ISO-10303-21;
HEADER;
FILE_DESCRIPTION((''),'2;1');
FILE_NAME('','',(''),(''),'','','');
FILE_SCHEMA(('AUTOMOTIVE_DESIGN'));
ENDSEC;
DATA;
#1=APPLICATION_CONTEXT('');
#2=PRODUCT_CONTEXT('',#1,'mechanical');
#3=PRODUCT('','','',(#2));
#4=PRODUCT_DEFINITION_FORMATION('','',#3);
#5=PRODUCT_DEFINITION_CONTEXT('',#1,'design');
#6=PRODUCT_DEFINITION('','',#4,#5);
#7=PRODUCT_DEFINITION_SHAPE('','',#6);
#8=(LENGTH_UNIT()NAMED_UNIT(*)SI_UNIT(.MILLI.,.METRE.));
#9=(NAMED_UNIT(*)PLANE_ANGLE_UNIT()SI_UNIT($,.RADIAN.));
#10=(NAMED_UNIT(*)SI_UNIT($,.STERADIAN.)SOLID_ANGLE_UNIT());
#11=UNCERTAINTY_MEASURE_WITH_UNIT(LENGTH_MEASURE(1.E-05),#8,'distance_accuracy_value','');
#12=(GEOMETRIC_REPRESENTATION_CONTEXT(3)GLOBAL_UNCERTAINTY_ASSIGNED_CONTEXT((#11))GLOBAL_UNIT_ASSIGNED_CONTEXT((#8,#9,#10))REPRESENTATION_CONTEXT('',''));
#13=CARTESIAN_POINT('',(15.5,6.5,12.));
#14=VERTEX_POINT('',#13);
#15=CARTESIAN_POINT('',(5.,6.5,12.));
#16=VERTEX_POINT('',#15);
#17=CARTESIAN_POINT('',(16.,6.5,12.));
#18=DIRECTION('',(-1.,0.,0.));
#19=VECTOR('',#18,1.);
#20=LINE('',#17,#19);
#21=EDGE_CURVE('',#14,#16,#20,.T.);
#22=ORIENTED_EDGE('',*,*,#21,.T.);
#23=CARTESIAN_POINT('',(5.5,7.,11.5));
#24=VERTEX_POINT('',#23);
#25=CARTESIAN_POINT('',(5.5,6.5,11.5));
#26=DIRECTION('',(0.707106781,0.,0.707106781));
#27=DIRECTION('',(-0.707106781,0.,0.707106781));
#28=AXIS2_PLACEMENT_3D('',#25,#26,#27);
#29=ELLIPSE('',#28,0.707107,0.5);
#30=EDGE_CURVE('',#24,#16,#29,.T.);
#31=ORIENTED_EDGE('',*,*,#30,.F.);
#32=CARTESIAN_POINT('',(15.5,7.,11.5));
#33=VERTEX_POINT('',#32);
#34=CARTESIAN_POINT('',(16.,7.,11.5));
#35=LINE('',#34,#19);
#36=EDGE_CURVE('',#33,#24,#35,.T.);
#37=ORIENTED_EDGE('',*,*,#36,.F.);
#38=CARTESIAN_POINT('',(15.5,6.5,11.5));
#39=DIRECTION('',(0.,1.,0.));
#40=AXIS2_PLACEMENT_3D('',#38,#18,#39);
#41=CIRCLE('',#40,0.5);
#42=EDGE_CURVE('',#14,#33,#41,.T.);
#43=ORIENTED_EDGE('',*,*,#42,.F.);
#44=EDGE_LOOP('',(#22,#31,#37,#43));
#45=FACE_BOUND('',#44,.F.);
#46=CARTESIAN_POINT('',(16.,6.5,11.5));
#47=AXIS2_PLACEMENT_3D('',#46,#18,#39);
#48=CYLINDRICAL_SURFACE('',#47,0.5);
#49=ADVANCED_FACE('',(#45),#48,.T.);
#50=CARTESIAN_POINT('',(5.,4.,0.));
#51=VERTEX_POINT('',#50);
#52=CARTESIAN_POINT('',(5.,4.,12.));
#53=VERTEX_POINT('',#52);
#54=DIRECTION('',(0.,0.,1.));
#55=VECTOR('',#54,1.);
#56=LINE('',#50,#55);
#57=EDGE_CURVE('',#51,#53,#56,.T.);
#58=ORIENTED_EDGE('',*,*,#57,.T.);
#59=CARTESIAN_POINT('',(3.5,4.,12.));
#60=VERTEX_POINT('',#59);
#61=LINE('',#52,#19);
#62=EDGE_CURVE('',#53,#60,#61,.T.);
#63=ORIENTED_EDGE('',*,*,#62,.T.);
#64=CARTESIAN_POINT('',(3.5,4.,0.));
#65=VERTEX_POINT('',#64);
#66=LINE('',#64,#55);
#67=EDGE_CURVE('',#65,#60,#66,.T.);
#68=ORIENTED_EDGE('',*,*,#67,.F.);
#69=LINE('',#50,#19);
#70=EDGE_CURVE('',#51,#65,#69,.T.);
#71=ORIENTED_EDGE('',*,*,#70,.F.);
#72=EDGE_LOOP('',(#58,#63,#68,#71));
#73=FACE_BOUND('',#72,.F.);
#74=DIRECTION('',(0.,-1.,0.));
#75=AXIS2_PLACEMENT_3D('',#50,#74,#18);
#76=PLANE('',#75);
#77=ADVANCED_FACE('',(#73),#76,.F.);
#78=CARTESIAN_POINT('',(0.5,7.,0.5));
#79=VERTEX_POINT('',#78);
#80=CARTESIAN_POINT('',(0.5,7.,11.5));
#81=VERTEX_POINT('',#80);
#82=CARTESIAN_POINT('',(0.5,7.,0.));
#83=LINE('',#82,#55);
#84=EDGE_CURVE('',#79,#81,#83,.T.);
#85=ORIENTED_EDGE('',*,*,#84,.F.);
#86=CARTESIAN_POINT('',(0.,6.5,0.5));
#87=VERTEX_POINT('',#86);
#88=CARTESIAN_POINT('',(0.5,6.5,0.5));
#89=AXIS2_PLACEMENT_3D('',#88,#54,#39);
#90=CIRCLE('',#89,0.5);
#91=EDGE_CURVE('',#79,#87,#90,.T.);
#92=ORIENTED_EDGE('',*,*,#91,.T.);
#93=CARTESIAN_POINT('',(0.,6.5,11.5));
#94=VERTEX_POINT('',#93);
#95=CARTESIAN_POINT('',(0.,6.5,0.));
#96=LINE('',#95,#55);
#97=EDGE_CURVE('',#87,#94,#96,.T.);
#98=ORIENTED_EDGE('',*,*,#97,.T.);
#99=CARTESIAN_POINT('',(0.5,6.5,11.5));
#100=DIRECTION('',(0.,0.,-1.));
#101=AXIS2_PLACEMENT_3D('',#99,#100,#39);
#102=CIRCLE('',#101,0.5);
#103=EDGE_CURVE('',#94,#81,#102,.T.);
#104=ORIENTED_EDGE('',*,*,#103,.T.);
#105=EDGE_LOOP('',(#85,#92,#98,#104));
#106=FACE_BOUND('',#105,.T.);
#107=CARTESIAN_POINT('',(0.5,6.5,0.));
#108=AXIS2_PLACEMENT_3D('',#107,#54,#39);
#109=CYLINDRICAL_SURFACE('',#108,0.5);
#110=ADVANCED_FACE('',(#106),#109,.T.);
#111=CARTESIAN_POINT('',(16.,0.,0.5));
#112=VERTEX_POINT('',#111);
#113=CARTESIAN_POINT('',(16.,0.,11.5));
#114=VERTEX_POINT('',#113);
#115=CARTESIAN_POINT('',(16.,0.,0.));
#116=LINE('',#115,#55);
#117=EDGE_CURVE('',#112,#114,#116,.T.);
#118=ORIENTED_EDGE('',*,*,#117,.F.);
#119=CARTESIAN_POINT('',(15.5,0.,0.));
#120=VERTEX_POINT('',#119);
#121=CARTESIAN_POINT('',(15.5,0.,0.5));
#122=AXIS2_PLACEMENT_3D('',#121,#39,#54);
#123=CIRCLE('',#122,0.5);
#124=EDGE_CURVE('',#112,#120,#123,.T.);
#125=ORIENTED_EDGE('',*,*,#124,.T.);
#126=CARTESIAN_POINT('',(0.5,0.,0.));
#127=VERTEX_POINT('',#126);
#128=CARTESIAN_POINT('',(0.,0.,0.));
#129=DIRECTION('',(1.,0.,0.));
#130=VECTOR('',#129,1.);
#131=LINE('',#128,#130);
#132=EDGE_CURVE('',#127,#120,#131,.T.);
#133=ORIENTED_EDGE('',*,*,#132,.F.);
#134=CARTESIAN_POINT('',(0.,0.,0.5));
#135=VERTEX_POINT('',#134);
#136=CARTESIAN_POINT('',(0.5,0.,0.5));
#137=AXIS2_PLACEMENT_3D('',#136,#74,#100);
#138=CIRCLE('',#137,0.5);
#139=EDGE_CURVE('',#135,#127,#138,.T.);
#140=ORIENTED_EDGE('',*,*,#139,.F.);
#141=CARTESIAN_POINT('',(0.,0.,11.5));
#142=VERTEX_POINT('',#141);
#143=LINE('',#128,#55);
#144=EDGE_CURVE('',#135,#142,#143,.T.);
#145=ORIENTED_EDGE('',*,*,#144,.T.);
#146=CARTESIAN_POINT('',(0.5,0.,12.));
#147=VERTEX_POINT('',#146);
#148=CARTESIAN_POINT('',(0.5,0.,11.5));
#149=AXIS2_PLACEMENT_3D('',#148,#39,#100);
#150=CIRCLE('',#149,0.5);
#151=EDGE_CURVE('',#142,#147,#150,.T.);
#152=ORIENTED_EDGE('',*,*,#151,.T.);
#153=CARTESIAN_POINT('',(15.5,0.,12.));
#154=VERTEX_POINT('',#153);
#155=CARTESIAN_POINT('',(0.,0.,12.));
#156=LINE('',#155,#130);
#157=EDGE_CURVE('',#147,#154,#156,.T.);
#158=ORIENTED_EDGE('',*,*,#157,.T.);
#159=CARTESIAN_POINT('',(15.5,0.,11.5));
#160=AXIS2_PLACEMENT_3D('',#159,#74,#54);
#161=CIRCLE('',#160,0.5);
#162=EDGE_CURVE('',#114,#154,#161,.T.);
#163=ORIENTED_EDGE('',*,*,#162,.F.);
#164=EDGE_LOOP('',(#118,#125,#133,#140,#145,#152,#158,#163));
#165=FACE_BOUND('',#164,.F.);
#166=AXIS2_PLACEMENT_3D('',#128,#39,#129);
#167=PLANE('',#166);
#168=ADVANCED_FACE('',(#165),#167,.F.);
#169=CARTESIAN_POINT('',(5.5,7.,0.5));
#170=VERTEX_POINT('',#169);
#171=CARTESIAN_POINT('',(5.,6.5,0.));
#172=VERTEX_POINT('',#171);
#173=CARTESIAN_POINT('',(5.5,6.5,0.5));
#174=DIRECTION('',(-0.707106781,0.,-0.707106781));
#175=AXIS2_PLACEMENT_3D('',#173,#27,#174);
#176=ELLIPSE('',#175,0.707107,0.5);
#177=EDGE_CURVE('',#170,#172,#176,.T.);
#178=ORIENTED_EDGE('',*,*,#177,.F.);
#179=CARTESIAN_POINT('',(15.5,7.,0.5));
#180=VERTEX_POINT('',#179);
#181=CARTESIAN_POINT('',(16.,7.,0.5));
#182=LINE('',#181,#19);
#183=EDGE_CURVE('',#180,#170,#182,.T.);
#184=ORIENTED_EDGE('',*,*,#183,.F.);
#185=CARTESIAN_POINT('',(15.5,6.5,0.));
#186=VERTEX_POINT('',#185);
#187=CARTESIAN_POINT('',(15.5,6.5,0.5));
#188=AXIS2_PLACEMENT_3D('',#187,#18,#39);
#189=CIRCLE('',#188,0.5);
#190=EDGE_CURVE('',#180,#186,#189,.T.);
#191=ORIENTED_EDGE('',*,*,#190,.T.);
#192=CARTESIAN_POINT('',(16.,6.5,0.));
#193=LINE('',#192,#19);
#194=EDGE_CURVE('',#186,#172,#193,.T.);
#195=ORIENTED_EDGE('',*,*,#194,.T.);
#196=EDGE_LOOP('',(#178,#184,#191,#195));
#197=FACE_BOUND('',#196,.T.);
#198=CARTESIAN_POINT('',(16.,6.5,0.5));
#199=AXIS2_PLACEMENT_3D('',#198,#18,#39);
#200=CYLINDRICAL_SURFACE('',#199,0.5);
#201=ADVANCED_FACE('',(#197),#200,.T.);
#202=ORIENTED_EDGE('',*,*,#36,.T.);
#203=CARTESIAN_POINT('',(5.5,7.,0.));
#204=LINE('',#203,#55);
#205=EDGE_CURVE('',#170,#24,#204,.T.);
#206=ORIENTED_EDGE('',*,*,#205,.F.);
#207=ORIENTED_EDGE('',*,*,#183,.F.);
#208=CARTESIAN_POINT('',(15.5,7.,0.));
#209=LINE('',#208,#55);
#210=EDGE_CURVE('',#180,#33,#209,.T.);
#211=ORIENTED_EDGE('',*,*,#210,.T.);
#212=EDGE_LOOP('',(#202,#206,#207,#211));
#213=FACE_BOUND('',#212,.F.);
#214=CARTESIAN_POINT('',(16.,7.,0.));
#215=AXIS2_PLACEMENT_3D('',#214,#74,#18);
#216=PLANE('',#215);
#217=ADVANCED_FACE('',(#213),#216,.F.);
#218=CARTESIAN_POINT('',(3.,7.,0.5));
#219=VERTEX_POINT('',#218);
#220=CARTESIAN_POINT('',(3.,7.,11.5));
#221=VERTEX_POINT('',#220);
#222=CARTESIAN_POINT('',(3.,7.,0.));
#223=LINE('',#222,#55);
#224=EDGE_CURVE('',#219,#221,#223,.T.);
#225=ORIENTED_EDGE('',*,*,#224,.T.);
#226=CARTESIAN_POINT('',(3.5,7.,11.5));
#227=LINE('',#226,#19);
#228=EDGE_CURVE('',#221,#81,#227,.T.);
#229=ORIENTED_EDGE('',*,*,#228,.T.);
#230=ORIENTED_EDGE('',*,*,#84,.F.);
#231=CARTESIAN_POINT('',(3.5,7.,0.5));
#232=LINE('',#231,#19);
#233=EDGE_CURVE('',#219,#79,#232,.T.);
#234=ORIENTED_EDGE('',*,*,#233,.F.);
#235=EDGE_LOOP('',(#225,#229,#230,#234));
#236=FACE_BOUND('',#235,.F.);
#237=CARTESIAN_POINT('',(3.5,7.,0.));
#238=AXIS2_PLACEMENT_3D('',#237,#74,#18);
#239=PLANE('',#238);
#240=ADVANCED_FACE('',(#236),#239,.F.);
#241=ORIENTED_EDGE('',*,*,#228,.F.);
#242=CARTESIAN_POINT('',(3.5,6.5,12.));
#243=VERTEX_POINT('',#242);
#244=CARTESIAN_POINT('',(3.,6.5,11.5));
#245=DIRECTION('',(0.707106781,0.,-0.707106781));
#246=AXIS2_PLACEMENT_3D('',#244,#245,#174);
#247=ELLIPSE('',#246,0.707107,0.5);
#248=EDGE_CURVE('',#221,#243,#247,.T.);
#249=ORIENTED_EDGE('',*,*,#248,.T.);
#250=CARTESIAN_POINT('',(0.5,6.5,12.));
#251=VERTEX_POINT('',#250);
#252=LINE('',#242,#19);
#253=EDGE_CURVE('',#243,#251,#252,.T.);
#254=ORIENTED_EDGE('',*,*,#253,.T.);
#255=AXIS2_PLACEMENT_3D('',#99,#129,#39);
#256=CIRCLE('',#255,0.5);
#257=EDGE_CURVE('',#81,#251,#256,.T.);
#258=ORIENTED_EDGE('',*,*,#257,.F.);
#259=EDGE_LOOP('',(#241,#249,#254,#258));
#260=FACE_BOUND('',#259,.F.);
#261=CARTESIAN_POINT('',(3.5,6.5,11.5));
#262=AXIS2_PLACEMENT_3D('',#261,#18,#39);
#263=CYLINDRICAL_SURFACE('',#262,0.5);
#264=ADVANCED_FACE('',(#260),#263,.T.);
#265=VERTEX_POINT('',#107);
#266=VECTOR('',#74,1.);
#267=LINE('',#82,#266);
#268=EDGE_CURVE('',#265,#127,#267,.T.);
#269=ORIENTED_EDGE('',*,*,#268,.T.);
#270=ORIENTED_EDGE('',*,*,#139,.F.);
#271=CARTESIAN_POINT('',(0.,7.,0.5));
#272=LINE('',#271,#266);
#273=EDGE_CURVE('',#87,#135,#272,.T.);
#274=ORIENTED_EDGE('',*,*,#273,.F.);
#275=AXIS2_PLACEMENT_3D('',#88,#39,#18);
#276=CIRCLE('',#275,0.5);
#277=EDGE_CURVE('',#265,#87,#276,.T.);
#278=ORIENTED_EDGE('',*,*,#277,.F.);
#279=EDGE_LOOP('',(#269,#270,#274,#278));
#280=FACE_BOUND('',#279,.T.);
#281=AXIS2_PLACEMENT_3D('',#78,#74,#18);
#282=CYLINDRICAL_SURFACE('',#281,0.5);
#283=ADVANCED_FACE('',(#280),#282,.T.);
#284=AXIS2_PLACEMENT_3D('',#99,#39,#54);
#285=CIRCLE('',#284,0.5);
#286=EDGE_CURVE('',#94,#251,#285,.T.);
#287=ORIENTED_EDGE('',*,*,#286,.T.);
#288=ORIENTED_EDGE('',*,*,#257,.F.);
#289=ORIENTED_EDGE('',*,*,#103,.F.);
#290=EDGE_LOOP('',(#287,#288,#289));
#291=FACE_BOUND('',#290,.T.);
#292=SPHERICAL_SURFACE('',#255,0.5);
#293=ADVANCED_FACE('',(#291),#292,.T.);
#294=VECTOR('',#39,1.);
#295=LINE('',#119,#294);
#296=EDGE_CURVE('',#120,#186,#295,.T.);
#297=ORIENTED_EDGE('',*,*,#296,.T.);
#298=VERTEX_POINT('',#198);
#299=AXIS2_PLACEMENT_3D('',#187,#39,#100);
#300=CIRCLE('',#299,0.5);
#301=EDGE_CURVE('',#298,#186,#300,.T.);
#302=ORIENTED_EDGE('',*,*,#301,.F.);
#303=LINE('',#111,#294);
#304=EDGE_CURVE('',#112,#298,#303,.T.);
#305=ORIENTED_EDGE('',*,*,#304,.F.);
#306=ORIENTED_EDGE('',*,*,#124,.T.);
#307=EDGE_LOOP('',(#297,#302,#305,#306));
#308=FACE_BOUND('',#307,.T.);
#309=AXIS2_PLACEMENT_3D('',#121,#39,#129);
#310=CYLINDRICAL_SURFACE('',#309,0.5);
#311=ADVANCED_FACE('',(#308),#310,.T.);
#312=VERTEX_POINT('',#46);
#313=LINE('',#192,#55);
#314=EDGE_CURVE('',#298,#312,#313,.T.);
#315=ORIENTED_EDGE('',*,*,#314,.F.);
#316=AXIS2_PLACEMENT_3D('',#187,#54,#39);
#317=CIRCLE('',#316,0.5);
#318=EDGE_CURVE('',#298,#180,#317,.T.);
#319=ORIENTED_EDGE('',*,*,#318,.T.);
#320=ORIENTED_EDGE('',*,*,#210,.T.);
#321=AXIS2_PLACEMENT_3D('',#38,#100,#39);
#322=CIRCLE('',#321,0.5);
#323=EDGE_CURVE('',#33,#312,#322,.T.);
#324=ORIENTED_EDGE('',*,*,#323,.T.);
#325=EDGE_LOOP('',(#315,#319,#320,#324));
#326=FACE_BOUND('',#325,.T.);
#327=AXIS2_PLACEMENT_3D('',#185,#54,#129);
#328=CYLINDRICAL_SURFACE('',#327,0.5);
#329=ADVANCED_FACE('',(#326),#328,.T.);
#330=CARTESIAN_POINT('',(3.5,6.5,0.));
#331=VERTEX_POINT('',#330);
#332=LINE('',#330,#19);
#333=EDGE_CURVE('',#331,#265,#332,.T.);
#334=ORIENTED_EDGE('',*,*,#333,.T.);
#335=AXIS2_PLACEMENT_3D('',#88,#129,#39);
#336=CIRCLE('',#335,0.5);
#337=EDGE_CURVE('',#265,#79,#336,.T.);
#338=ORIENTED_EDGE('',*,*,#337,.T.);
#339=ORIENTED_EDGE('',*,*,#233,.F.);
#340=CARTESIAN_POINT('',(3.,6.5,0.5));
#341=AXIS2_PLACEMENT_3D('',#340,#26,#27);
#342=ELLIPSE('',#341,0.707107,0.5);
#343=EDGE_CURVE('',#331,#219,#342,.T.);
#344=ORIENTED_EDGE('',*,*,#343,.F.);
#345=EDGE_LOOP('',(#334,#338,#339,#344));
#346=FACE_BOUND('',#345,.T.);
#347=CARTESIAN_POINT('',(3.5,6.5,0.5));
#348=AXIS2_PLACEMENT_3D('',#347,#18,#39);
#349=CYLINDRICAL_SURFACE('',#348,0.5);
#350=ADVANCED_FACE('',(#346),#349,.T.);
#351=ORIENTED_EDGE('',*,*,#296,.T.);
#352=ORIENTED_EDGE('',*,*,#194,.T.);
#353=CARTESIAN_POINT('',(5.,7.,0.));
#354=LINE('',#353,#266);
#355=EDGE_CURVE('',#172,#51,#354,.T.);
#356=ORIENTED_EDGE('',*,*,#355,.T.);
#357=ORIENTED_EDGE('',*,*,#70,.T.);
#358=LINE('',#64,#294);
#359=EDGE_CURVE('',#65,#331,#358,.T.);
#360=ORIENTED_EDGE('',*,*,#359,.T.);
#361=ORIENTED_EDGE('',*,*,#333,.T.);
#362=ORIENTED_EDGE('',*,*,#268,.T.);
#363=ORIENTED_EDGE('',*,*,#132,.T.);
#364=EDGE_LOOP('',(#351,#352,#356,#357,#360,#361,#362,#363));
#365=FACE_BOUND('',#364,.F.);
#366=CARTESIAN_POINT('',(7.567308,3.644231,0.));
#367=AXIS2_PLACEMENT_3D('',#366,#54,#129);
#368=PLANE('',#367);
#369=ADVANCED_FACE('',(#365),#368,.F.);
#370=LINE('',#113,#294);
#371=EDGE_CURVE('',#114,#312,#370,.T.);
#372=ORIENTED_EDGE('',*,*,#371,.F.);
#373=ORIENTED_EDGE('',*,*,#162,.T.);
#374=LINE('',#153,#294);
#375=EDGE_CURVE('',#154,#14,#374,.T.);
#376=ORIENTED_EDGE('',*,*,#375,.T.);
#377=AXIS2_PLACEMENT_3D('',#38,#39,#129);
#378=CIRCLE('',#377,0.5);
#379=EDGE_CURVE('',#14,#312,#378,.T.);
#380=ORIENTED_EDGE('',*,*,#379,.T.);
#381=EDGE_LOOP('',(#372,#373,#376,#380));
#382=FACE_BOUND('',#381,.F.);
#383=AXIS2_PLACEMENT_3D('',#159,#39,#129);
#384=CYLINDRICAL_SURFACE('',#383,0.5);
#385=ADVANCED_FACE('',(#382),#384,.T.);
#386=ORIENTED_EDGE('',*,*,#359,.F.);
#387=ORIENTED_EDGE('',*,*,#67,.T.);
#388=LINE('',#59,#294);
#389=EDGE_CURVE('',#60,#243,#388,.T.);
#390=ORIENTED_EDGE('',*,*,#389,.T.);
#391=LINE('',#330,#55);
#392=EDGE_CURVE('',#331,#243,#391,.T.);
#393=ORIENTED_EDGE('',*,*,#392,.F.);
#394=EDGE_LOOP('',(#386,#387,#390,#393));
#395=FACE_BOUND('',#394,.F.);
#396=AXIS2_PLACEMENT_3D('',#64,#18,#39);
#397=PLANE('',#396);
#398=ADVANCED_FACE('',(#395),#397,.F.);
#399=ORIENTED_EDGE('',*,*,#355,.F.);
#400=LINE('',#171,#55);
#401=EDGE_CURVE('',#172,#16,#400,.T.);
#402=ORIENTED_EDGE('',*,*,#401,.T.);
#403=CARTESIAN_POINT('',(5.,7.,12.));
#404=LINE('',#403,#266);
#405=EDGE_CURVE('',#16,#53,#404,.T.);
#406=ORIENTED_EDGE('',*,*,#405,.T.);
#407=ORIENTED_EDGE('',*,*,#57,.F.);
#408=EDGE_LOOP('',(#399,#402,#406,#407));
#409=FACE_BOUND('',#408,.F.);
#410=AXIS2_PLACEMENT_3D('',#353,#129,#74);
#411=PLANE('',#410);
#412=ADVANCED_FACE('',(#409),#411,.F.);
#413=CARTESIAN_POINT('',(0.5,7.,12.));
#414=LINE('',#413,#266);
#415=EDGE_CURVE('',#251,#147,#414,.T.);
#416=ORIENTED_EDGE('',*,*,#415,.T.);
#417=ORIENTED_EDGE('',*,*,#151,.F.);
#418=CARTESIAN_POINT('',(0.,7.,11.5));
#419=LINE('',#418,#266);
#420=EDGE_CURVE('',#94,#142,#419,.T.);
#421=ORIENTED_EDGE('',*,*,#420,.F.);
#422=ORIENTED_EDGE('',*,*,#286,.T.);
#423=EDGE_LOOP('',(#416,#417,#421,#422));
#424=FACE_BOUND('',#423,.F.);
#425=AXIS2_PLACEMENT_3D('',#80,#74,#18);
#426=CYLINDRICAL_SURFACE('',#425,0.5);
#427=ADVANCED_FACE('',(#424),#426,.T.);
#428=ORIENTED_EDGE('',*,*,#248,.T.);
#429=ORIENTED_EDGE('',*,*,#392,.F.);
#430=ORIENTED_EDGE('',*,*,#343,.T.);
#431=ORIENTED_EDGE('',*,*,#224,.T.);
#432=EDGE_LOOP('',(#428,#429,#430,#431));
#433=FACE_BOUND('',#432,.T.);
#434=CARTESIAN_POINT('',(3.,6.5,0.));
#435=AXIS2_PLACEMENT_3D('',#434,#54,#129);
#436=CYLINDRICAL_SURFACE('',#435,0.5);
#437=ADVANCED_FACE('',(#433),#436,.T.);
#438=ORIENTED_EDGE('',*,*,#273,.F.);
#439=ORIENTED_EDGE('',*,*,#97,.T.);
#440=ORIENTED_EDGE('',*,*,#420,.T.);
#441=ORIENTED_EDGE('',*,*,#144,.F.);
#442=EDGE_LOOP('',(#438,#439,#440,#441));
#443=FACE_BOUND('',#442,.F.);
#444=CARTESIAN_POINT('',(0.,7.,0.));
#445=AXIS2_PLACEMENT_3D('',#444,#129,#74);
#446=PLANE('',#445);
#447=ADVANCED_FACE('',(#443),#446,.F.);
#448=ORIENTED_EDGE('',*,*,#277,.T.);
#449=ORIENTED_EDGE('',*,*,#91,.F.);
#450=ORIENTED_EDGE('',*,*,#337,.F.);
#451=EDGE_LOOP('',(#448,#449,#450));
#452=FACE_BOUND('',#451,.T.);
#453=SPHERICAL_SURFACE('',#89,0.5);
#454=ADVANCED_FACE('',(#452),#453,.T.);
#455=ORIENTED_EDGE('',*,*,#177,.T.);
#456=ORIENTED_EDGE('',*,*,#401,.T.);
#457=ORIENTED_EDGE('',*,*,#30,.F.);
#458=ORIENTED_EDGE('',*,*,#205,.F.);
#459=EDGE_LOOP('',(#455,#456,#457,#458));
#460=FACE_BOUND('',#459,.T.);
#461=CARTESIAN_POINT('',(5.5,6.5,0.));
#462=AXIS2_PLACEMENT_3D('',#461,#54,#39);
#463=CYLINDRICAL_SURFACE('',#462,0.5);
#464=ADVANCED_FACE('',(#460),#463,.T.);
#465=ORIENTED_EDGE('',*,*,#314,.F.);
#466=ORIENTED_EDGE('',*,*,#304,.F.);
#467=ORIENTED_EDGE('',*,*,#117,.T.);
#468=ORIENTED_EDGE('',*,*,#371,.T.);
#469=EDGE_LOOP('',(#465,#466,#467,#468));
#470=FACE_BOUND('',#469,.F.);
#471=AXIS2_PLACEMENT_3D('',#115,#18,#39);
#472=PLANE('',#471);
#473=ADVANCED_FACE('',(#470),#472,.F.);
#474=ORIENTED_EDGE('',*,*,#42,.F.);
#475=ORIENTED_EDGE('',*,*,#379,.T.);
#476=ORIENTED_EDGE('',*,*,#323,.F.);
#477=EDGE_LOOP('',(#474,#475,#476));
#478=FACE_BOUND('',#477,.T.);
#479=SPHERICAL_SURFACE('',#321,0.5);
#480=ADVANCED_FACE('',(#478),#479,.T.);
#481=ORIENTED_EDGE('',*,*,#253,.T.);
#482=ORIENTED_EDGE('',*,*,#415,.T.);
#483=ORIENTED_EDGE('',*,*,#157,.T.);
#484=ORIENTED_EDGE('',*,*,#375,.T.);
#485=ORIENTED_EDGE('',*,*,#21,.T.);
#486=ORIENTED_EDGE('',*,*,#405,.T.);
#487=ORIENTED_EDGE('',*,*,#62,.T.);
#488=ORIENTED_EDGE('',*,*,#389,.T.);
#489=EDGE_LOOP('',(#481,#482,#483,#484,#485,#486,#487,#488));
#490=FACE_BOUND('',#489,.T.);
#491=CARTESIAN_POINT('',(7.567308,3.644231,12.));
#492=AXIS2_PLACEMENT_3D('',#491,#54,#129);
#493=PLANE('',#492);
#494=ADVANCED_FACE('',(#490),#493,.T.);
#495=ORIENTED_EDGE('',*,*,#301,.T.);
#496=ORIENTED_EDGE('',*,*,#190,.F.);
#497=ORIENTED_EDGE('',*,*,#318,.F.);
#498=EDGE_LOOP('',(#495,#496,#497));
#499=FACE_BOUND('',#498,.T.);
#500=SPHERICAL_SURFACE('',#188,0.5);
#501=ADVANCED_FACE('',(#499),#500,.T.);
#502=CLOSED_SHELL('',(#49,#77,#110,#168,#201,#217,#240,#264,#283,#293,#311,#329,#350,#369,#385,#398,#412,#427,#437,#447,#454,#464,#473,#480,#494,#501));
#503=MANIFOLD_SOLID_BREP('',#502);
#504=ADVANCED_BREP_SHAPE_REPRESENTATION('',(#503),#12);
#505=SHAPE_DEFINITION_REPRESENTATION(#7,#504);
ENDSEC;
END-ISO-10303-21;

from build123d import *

# Parameters (mm, degrees)
PAD_DEPTH = 12
FILLET_R  = 0.5


with BuildPart() as part:
    # Sketch → Pad (new body)
    with BuildSketch(Plane.XY):
        Polygon((0, 0), (16, 0), (16, 7), (5, 7), (5, 4), (3.5, 4), (3.5, 7), (0, 7), align=None)
    extrude(amount=PAD_DEPTH)

    # Fillet
    fillet_edges = [part.edges().sort_by_distance(p)[0] for p in [
        (10.5, 7, 0),
        (16, 7, 6),
        (5, 7, 6),
        (10.5, 7, 12),
        (1.75, 7, 12),
        (0, 7, 6),
        (3.5, 7, 6),
        (1.75, 7, 0),
        (0, 3.5, 0),
        (16, 3.5, 0),
        (16, 3.5, 12),
        (0, 3.5, 12),
    ]]
    fillet(fillet_edges, radius=FILLET_R)


solid = part.part
